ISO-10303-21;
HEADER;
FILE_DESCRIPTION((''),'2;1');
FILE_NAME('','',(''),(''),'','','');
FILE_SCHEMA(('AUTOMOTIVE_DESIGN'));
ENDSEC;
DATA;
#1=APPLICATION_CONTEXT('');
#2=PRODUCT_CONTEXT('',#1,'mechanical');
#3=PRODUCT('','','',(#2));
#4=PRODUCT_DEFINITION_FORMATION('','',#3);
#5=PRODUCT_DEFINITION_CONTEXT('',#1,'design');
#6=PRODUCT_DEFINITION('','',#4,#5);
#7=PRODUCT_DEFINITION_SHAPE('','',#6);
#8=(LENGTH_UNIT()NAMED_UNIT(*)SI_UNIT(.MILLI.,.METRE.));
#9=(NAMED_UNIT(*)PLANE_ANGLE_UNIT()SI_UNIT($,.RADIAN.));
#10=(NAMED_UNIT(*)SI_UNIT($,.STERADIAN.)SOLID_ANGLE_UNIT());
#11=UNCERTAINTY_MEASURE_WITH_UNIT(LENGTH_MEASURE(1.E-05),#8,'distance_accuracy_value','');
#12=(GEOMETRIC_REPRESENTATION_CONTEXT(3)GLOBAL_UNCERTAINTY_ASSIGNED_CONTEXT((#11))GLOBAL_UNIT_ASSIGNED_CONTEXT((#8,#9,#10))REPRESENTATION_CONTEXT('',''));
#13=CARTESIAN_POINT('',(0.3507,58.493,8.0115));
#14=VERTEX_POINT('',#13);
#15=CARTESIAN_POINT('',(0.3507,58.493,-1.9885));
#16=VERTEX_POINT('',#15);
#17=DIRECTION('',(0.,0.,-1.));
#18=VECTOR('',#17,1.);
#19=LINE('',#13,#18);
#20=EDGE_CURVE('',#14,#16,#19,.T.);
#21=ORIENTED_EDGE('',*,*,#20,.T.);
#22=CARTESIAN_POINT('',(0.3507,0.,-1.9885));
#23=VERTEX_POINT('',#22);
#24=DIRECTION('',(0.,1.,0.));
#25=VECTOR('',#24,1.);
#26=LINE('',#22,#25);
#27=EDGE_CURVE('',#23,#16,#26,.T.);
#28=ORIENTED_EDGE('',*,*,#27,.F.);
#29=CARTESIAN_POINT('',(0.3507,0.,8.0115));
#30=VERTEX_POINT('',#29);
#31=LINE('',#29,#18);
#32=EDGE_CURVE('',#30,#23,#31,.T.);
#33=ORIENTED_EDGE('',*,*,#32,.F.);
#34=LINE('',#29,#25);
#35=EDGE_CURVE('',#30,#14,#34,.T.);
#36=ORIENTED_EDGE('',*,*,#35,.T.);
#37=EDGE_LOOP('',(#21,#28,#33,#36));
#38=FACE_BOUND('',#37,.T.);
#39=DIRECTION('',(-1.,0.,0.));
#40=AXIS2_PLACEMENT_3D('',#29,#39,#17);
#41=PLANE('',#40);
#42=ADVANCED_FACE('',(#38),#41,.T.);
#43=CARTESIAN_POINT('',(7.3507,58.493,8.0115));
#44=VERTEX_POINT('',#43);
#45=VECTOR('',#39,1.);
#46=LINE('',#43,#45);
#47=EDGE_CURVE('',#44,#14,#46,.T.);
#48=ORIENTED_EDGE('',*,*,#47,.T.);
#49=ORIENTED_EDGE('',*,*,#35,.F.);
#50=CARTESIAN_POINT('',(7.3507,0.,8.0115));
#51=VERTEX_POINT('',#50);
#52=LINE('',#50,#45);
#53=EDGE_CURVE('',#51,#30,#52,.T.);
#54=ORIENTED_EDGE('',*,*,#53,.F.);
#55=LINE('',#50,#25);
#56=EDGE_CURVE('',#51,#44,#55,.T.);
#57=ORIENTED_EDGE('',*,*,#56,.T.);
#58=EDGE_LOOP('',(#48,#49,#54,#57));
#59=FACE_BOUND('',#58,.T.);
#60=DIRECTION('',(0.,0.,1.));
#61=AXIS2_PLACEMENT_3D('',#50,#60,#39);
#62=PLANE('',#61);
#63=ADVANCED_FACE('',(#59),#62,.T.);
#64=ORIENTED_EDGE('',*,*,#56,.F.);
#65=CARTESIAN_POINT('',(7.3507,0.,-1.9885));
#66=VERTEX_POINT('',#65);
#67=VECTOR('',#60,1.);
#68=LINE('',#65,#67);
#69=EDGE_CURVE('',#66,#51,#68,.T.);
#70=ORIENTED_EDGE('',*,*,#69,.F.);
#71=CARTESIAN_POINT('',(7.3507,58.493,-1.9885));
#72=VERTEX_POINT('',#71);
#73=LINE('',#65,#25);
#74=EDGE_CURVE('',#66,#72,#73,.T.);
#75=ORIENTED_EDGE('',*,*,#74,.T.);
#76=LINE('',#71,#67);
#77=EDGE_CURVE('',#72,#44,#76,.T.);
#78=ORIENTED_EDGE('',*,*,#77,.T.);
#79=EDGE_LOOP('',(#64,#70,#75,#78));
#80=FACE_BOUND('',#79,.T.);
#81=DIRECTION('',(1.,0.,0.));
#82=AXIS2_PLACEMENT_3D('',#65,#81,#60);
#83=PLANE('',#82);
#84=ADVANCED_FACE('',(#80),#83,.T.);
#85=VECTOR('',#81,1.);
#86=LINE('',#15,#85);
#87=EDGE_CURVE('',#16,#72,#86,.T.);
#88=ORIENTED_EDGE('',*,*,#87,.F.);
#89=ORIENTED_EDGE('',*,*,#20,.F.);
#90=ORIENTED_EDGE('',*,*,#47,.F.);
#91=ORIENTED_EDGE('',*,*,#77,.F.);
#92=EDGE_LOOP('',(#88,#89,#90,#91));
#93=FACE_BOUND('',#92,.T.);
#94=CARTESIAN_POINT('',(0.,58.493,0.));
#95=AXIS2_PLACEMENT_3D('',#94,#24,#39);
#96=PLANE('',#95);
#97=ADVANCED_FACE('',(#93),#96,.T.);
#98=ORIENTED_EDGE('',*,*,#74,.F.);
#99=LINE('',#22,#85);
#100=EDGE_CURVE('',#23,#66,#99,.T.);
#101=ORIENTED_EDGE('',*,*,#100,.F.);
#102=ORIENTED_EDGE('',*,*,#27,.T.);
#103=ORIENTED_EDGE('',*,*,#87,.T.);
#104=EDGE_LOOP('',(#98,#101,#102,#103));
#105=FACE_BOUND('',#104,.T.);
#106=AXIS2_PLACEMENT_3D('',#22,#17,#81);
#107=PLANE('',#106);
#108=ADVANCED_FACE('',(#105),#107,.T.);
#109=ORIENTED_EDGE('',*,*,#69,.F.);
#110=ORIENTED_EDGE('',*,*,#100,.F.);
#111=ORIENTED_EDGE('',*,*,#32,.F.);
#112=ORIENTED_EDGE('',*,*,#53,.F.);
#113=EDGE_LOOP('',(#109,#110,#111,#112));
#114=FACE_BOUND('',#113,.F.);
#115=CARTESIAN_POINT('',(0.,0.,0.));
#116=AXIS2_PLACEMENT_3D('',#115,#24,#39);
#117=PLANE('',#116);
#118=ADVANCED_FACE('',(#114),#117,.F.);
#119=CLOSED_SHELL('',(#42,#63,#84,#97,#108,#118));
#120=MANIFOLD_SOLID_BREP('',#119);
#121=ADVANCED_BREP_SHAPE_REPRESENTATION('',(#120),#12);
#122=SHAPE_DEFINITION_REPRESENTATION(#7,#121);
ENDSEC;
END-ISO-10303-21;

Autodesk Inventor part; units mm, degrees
ref_plane "YZ Plane" through (0, 0, 0) normal (1, 0, 0) x (0, 1, 0)
ref_plane "XZ Plane" through (0, 0, 0) normal (0, 1, 0) x (-1, 0, 0)
ref_plane "XY Plane" through (0, 0, 0) normal (0, 0, 1) x (1, 0, 0)
sketch "Sketch2" plane through (0, 0, 0) normal (0, 1, 0) x (-1, 0, 0)
  line L0 (-0.3507, -1.9885) -> (-7.3507, -1.9885)
  line L1 (-7.3507, -1.9885) -> (-7.3507, 8.0115)
  line L2 (-7.3507, 8.0115) -> (-0.3507, 8.0115)
  line L3 (-0.3507, 8.0115) -> (-0.3507, -1.9885)
  point P0 (0, 0)
  dimension "d2" = 7
  dimension "d3" = 10
extrude "Extrusion1" add sketch "Sketch2" along normal blind 58.493
properties part number "right stem"
